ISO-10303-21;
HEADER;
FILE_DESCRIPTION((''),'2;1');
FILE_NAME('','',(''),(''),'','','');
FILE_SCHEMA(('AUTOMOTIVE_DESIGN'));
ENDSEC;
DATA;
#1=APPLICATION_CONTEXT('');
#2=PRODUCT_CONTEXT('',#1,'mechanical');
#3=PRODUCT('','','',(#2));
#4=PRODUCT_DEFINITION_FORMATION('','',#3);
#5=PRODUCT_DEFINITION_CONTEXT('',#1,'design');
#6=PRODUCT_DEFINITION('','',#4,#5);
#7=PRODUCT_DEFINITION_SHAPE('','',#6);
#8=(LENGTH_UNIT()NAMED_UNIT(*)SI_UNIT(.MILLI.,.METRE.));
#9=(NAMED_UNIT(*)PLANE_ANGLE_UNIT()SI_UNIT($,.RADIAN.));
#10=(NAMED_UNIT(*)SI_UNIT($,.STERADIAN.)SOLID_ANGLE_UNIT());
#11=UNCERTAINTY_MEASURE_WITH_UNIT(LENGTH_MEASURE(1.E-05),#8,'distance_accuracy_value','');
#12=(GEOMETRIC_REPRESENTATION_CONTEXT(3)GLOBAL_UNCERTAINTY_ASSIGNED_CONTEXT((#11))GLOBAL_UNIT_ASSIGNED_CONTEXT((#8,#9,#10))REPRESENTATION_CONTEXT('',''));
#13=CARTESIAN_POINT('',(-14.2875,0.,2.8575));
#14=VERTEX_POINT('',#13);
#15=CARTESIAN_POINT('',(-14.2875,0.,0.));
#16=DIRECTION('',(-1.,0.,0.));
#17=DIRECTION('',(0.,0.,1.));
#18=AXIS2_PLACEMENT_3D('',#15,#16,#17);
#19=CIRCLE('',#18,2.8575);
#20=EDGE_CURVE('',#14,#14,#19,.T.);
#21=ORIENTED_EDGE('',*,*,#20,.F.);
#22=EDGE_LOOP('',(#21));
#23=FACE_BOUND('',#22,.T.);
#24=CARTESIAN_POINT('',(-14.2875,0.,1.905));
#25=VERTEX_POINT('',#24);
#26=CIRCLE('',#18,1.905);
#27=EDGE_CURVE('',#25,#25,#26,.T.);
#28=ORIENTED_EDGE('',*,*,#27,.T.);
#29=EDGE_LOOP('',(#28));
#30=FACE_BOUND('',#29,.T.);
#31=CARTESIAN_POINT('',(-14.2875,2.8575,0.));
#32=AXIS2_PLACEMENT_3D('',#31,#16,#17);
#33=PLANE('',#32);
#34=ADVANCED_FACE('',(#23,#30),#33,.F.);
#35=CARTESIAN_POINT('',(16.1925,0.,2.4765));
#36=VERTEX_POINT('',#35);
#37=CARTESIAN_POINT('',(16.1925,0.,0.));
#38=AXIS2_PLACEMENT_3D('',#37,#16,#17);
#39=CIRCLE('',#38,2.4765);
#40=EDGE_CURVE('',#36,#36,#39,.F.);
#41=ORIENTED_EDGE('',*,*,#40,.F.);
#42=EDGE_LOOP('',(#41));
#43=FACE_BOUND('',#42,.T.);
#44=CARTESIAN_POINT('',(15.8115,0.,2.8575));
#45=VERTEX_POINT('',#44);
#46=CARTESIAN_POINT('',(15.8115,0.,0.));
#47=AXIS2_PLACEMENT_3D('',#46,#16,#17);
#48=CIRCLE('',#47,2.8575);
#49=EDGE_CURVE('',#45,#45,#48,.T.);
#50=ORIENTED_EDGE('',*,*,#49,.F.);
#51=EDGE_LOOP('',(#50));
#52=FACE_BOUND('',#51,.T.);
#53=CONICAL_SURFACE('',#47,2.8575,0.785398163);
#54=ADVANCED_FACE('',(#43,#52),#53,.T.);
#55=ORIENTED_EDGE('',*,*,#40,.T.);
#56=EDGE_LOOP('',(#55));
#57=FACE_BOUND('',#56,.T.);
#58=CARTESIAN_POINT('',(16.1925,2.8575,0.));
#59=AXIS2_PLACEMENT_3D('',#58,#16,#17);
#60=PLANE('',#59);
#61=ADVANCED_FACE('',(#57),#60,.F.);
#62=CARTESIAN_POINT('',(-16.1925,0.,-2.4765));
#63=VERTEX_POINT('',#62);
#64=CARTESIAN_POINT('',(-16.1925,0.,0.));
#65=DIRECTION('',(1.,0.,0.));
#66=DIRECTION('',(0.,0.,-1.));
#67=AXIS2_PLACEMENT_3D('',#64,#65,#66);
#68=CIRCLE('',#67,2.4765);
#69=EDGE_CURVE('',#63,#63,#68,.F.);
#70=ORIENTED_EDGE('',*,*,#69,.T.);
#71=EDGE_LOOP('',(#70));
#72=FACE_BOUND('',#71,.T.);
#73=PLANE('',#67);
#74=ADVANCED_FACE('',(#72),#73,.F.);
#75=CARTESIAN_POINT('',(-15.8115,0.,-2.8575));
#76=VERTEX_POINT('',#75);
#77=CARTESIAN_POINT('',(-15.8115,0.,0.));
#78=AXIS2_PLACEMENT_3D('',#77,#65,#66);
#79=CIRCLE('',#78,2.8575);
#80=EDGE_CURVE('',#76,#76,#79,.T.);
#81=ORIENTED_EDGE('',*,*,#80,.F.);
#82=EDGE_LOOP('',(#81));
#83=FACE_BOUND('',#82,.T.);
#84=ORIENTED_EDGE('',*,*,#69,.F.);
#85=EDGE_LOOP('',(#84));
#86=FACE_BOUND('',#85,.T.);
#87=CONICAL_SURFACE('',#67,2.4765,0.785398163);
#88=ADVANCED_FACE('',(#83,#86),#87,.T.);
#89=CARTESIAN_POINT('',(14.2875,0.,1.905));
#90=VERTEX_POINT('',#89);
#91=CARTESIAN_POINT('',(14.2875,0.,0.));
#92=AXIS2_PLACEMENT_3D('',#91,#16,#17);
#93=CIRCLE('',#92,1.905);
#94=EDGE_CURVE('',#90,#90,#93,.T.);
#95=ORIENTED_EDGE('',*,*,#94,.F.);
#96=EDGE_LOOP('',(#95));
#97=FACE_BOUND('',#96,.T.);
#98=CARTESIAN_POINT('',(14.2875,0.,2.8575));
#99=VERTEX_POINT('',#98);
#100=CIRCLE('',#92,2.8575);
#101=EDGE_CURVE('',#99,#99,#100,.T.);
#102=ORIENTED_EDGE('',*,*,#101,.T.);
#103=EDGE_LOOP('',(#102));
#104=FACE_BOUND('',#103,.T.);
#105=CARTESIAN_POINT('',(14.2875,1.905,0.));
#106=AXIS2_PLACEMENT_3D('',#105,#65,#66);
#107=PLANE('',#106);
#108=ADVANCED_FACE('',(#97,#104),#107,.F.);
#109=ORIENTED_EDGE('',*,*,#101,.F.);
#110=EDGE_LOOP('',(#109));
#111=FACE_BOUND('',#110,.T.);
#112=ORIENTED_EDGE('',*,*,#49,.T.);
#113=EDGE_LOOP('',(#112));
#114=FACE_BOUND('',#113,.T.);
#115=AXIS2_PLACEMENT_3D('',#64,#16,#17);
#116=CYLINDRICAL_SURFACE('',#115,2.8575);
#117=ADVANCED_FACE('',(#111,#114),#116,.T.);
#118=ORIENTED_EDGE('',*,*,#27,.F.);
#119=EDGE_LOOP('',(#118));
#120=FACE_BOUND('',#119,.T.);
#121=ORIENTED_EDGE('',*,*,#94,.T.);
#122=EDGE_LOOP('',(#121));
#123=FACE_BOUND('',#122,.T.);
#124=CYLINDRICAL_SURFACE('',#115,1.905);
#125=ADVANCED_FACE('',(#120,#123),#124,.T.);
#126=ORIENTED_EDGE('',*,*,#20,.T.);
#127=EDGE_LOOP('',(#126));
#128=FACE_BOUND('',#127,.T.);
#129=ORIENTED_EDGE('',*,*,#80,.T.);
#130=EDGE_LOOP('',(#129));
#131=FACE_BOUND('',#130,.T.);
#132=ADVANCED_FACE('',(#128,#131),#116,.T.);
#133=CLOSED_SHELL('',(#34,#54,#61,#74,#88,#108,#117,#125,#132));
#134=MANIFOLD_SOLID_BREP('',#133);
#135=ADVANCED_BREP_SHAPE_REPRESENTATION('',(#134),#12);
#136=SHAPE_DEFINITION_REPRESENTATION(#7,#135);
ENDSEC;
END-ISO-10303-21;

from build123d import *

# Parameters (mm, degrees)
CHAMFER1_SIZE = 0.254
SCALE1_SCALE  = 1.5


with BuildPart() as part:
    # Sketch1 → Revolve1 (revolve)
    with BuildSketch(Plane.XY, mode=Mode.PRIVATE) as revolve1_sk:
        Polygon((-10.795, 0), (-10.795, 1.905), (-9.525, 1.905), (-9.525, 1.27), (9.525, 1.27), (9.525, 1.905), (10.795, 1.905), (10.795, 0), align=None)
    revolve(revolve1_sk.sketch.rotate(Axis((-10.795, 0, 0), (1, 0, 0)), 90), axis=Axis((-10.795, 0, 0), (1, 0, 0)))

    # Chamfer1
    chamfer1_edges = [part.edges().sort_by_distance(p)[0] for p in [
        (10.795, 0, -1.905),
        (-10.795, 0, -1.905),
    ]]
    chamfer(chamfer1_edges, length=CHAMFER1_SIZE)


with BuildPart() as part_1:
    # Scale1: scaled about (0, 0, 0)
    add(part.part.scale(SCALE1_SCALE))


solid = part_1.part
